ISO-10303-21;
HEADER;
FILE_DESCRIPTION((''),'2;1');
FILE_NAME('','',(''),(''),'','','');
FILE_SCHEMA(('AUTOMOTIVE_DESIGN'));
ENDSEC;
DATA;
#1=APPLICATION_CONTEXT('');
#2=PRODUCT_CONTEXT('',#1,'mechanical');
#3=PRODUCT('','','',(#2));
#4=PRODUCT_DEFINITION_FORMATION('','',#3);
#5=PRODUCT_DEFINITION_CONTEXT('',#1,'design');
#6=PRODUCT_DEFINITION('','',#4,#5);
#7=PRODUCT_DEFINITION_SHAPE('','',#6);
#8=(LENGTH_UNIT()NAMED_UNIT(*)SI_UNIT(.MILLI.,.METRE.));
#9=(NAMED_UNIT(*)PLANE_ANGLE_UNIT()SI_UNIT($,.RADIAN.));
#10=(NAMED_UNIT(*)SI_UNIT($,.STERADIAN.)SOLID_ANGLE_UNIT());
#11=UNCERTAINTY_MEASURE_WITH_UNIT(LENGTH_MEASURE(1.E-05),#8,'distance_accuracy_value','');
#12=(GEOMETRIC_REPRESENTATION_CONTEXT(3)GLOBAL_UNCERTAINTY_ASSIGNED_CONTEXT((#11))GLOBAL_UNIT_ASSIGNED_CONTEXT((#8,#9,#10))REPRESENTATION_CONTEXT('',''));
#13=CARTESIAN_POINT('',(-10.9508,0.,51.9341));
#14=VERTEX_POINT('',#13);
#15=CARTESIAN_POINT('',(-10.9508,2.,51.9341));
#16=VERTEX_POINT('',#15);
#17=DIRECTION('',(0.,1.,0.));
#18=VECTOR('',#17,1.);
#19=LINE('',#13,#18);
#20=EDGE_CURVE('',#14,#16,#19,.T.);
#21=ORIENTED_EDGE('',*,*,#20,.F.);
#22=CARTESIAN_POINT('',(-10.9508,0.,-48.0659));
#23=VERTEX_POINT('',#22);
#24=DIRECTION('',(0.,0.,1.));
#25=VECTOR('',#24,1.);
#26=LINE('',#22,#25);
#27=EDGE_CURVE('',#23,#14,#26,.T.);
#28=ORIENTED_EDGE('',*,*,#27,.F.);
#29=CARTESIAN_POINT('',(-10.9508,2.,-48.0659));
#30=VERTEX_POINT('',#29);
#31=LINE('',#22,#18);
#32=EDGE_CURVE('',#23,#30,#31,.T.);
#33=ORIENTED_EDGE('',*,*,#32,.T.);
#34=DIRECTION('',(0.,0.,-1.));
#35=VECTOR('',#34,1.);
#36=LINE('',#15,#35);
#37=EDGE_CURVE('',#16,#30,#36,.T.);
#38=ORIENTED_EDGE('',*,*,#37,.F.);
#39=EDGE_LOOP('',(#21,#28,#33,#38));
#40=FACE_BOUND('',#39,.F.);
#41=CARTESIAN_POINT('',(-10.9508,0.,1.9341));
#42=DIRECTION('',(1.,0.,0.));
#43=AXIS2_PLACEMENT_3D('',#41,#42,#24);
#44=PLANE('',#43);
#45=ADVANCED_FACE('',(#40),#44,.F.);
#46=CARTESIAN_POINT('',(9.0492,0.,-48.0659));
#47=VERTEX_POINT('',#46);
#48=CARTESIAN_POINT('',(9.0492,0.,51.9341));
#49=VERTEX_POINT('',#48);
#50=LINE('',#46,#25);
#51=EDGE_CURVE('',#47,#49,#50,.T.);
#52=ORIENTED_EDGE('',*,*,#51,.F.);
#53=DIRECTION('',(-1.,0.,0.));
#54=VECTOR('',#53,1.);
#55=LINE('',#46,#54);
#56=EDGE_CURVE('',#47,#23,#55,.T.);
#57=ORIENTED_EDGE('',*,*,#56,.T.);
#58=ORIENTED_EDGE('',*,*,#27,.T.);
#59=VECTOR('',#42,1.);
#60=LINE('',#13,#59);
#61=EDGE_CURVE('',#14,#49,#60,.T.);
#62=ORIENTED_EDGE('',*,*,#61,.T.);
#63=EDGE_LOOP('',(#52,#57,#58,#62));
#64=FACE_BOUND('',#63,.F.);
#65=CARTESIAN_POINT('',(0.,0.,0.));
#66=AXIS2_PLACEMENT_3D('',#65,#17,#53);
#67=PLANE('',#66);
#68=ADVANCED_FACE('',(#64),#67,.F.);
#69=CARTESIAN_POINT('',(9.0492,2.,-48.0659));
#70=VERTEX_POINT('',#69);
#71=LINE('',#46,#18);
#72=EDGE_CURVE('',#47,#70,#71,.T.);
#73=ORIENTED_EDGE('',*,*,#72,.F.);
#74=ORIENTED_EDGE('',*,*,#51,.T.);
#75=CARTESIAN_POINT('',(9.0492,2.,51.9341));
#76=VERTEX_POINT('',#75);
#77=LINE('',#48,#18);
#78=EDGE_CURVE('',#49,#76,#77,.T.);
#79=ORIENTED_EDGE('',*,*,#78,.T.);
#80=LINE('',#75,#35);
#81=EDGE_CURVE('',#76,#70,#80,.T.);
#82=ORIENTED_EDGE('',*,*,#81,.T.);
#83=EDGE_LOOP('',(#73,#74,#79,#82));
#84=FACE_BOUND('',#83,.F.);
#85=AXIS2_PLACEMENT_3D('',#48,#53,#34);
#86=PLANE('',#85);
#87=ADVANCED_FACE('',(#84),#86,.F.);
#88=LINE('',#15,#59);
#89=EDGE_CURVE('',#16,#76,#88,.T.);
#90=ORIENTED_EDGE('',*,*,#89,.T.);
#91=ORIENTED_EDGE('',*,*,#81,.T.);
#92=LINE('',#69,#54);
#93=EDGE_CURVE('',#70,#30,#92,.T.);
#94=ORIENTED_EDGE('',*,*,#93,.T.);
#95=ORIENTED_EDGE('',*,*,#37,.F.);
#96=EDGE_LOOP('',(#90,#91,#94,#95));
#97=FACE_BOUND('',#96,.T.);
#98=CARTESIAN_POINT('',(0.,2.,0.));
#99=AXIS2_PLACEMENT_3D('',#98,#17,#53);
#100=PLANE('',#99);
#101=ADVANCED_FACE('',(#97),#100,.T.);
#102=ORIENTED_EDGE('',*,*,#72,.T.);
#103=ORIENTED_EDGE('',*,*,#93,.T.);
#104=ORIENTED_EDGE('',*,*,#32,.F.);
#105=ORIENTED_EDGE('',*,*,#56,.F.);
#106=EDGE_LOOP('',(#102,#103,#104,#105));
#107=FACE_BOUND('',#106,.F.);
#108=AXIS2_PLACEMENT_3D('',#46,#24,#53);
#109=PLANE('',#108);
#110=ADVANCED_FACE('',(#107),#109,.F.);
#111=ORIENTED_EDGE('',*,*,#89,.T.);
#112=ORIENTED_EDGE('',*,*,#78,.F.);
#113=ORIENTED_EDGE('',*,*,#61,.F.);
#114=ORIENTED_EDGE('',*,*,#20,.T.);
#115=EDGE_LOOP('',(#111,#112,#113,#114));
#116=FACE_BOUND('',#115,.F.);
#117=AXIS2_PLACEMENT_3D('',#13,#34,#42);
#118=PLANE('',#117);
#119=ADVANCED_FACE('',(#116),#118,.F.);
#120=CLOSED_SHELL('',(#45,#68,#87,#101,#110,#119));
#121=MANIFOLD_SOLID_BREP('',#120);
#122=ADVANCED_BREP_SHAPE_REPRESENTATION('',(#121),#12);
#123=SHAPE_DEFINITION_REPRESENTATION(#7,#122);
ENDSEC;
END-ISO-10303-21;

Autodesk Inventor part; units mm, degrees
ref_plane "YZ Plane" through (0, 0, 0) normal (1, 0, 0) x (0, 1, 0)
ref_plane "XZ Plane" through (0, 0, 0) normal (0, 1, 0) x (-1, 0, 0)
ref_plane "XY Plane" through (0, 0, 0) normal (0, 0, 1) x (1, 0, 0)
sketch "Sketch1" plane through (0, 0, 0) normal (0, 1, 0) x (-1, 0, 0)
  line L0 (10.9508, 51.9341) -> (-9.0492, 51.9341)
  line L1 (-9.0492, 51.9341) -> (-9.0492, -48.0659)
  line L2 (-9.0492, -48.0659) -> (10.9508, -48.0659)
  line L3 (10.9508, -48.0659) -> (10.9508, 51.9341)
  line L4 (26.5167, 1.9341) -> (-24.615, 1.9341)
  line L5 (0.9508, 45.2898) -> (0.9508, -41.4217)
  point P0 (0.9508, 1.9341)
  dimension "d1" = 20
  dimension "d2" = 100
extrude "Extrusion1" add sketch "Sketch1" along normal blind 2
